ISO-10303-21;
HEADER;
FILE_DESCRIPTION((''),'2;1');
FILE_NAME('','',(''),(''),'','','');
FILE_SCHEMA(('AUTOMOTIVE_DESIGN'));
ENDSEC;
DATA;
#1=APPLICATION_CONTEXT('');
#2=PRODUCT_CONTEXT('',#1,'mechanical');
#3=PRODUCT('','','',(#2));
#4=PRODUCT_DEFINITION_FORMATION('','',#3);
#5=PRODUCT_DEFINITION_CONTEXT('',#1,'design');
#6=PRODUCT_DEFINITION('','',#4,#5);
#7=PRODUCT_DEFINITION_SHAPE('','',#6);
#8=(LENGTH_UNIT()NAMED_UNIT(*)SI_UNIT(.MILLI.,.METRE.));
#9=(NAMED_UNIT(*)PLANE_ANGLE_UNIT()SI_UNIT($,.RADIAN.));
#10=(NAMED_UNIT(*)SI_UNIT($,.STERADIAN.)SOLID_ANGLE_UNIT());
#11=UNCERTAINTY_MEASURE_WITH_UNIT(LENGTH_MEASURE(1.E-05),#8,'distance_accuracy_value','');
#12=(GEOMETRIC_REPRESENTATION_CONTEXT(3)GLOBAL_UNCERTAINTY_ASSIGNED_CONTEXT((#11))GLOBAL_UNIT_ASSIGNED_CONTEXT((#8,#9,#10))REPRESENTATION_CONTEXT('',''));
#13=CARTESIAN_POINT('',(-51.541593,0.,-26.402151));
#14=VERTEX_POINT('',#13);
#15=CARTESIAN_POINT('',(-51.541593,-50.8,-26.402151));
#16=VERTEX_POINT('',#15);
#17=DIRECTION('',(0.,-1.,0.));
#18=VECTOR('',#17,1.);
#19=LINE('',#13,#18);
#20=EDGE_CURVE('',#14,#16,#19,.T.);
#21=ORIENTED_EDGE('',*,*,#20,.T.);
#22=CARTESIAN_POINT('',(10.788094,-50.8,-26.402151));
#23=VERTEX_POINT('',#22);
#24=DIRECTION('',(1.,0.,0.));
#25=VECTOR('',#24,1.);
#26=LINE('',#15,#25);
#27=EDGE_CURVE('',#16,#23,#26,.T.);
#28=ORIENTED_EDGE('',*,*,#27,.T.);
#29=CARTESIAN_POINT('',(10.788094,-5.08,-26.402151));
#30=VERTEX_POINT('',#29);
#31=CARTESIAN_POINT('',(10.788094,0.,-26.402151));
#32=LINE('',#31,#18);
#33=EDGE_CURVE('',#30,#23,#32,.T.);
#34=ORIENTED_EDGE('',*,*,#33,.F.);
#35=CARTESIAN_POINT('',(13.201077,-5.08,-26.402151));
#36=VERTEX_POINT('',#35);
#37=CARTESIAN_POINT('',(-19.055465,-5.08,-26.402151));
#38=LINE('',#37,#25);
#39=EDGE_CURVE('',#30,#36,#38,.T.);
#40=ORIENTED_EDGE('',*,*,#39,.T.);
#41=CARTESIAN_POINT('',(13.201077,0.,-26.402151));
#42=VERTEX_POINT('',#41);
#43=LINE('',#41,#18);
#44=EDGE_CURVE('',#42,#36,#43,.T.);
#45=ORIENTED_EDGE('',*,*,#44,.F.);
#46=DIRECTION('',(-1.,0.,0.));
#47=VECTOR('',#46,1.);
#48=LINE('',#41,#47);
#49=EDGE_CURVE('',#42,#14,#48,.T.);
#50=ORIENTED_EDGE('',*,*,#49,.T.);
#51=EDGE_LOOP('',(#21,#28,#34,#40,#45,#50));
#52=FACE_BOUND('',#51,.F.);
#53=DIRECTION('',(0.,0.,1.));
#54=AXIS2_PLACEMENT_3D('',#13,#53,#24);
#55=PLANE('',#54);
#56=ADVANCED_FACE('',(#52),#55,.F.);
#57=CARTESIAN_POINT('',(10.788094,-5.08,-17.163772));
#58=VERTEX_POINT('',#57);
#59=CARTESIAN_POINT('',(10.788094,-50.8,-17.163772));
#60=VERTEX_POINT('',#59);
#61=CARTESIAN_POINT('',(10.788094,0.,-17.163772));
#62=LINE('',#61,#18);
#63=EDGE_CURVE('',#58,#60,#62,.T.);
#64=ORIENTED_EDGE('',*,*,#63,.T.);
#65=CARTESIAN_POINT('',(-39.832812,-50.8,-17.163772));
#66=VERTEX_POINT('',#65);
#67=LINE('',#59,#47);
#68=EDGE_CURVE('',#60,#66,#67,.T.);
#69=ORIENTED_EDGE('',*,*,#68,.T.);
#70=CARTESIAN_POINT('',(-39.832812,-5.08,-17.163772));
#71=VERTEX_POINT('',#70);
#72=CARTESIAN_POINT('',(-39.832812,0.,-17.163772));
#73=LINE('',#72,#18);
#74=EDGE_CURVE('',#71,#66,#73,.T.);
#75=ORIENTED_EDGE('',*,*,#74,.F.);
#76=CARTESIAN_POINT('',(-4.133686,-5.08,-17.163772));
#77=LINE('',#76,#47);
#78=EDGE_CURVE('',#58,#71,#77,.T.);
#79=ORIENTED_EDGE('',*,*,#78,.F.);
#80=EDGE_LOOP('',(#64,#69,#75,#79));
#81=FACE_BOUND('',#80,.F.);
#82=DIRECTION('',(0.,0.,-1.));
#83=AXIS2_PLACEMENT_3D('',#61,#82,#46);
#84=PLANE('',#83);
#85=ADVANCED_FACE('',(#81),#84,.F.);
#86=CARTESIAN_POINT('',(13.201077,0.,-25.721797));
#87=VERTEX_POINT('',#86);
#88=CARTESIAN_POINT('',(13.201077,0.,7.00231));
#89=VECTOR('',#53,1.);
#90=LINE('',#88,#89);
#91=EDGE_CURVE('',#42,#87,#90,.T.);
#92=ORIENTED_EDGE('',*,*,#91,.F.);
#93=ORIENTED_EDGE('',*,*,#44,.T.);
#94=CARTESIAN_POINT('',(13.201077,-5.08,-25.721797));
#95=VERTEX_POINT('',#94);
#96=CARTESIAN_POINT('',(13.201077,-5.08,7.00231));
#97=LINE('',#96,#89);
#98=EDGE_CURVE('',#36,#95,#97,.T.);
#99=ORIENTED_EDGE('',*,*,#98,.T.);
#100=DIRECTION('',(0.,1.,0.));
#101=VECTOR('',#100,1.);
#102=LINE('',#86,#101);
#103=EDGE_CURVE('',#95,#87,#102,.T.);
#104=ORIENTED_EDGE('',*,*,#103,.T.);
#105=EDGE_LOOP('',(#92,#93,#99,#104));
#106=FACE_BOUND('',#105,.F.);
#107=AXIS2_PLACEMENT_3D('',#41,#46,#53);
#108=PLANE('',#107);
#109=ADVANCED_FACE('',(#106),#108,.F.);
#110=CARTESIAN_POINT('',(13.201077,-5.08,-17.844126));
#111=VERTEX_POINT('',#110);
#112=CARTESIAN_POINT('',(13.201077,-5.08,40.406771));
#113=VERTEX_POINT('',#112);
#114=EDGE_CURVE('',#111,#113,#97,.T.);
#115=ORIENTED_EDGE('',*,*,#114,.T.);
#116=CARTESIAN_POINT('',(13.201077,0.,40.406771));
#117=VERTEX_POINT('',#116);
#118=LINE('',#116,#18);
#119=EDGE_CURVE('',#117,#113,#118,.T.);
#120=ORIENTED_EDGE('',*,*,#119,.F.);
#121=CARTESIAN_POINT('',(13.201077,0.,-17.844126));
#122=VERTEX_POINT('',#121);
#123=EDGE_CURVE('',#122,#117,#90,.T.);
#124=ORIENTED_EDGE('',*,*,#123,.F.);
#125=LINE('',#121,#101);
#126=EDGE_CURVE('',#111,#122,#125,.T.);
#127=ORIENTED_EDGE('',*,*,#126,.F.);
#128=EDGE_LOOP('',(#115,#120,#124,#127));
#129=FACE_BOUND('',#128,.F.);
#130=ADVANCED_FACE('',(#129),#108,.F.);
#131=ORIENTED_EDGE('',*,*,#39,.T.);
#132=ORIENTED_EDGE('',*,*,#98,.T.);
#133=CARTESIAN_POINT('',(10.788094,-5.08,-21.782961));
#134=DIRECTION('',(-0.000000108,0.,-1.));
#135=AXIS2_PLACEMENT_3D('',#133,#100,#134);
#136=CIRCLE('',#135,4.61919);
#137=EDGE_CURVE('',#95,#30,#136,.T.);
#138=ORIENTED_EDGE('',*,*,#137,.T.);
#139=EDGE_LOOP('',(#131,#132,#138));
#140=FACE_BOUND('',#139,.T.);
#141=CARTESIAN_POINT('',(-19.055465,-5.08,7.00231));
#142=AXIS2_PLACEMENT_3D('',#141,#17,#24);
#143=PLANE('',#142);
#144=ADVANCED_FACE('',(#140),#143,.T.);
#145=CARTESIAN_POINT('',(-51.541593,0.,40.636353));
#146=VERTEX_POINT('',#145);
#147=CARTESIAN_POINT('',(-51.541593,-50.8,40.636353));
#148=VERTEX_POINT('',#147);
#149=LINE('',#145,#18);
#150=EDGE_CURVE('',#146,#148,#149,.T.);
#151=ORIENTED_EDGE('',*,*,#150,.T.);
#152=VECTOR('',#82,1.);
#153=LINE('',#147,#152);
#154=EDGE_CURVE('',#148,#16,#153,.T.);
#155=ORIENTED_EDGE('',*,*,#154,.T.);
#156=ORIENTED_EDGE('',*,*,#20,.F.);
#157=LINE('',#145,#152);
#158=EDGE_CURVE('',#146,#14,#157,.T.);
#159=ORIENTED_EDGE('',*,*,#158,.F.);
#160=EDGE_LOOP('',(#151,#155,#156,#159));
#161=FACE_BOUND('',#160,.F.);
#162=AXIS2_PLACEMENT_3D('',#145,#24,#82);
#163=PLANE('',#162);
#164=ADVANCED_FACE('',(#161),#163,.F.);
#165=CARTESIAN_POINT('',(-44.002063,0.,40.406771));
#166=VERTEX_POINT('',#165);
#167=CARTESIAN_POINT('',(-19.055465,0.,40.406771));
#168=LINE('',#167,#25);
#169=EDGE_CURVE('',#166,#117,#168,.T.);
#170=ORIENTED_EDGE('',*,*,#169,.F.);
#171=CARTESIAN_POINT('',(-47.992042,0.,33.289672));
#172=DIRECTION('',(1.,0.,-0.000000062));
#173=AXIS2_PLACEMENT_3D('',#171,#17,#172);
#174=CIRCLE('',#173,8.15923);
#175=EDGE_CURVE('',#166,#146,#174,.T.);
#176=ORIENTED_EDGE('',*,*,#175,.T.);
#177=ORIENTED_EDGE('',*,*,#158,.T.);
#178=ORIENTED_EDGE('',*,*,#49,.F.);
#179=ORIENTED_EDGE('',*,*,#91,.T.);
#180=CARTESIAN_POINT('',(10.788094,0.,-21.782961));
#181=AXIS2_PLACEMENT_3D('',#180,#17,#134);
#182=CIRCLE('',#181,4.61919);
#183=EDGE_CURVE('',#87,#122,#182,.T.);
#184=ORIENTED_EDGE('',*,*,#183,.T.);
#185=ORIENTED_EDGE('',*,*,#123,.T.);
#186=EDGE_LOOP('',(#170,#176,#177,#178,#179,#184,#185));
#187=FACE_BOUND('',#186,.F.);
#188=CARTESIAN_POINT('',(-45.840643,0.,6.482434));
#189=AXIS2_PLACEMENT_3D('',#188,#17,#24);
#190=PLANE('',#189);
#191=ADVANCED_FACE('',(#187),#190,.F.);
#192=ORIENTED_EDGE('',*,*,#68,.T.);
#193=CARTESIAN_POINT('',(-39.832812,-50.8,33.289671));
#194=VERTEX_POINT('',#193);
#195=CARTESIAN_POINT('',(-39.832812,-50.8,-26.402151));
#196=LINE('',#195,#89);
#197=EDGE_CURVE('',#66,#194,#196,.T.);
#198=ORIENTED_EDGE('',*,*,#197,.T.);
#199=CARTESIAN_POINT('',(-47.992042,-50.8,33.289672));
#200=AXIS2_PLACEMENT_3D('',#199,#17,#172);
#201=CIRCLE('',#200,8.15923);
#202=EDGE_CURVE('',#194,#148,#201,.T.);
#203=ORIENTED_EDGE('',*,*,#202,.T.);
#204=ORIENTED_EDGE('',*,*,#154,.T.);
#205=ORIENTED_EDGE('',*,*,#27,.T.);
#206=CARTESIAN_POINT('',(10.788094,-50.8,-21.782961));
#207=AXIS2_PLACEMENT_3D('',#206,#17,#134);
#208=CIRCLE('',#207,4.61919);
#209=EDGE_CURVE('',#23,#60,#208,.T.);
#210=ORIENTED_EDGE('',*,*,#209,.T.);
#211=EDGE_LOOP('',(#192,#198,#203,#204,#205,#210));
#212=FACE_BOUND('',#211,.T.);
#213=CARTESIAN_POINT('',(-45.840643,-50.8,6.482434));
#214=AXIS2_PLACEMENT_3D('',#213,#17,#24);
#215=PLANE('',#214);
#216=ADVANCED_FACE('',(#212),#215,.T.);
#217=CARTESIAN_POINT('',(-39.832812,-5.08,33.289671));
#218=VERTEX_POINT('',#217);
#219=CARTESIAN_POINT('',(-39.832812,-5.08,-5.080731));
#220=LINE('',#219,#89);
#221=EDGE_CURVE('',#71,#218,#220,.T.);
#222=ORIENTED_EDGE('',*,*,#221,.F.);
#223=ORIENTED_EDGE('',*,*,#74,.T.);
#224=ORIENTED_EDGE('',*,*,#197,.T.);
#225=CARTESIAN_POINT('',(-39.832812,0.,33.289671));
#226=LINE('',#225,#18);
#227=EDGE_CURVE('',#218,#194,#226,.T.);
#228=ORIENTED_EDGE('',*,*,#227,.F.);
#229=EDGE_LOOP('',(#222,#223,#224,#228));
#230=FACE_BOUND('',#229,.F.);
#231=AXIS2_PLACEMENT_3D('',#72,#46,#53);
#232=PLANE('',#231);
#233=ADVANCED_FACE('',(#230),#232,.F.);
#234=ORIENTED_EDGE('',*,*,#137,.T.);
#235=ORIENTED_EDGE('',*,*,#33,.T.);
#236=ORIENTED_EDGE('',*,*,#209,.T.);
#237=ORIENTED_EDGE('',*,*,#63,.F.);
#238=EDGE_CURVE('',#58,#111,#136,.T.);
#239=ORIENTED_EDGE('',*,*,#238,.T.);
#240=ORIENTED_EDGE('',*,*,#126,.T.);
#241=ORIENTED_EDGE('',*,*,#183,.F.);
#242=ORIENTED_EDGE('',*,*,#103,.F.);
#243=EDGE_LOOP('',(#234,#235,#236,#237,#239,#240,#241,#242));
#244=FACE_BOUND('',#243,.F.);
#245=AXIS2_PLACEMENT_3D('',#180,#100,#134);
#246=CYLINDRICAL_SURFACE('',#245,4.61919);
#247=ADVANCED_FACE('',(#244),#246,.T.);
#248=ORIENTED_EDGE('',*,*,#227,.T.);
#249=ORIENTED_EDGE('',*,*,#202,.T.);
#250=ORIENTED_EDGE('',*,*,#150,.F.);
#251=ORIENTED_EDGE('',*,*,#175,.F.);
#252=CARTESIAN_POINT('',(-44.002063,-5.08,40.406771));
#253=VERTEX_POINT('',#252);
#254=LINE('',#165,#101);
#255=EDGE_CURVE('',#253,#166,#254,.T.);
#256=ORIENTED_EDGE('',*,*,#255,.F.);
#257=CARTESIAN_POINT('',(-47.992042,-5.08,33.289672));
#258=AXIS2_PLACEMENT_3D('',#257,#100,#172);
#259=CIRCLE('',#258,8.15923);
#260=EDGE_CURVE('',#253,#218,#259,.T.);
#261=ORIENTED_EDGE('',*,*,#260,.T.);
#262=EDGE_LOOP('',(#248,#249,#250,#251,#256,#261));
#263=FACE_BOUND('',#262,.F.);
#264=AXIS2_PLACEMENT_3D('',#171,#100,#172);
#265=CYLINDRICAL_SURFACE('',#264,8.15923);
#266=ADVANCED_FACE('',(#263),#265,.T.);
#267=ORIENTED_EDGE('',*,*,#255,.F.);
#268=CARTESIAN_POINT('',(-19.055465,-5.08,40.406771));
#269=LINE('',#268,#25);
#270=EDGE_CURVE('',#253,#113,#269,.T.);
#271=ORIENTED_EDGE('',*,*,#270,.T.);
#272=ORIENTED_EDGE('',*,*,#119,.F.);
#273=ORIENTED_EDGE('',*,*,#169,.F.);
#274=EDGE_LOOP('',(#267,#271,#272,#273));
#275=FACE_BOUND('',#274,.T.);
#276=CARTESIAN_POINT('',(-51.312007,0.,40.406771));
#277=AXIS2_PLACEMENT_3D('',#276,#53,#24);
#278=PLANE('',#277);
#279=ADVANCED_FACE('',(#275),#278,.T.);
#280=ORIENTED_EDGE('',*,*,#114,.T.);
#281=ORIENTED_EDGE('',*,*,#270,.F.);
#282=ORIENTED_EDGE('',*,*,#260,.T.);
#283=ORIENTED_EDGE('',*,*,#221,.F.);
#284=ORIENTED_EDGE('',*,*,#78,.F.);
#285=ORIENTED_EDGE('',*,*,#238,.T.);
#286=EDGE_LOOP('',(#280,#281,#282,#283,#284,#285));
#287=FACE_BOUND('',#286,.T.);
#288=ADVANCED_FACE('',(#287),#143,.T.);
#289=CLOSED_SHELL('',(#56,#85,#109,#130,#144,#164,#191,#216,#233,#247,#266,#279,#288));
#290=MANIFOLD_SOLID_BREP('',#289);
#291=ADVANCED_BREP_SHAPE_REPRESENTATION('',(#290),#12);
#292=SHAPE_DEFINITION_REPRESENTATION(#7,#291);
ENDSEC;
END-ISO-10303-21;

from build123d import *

# Parameters (mm, degrees)
F1_DEPTH = 50.8
F2_W     = 64.513084
F2_H     = 66.808922
F3_DEPTH = 5.08


with BuildPart() as f1:
    # F0 (on Front) → F1 (new body)
    with BuildSketch(Plane.XZ):
        with BuildLine():
            ThreePointArc((-39.832812, 33.289671), (-43.655486, 40.201062), (-51.541593, 40.636353))
            Line((-51.541593, 40.636353), (-51.541593, -26.402151))
            Line((-51.541593, -26.402151), (-39.832812, -26.402151))
            Line((-39.832812, -26.402151), (-39.832812, -17.163772))
            Line((-39.832812, -17.163772), (-39.832812, 33.289671))
        make_face()
        with BuildLine():
            Line((-39.832812, -17.163772), (-39.832812, -26.402151))
            Line((-39.832812, -26.402151), (10.788094, -26.402151))
            ThreePointArc((10.788094, -26.402151), (15.407284, -21.782962), (10.788094, -17.163772))
            Line((10.788094, -17.163772), (-39.832812, -17.163772))
        make_face()
    extrude(amount=F1_DEPTH)

    # F2 (on Front) → F3 (join)
    with BuildSketch(Plane.XZ):
        with Locations((-19.055465, 7.00231)):
            Rectangle(F2_W, F2_H)
    extrude(amount=F3_DEPTH)


solid = f1.part
